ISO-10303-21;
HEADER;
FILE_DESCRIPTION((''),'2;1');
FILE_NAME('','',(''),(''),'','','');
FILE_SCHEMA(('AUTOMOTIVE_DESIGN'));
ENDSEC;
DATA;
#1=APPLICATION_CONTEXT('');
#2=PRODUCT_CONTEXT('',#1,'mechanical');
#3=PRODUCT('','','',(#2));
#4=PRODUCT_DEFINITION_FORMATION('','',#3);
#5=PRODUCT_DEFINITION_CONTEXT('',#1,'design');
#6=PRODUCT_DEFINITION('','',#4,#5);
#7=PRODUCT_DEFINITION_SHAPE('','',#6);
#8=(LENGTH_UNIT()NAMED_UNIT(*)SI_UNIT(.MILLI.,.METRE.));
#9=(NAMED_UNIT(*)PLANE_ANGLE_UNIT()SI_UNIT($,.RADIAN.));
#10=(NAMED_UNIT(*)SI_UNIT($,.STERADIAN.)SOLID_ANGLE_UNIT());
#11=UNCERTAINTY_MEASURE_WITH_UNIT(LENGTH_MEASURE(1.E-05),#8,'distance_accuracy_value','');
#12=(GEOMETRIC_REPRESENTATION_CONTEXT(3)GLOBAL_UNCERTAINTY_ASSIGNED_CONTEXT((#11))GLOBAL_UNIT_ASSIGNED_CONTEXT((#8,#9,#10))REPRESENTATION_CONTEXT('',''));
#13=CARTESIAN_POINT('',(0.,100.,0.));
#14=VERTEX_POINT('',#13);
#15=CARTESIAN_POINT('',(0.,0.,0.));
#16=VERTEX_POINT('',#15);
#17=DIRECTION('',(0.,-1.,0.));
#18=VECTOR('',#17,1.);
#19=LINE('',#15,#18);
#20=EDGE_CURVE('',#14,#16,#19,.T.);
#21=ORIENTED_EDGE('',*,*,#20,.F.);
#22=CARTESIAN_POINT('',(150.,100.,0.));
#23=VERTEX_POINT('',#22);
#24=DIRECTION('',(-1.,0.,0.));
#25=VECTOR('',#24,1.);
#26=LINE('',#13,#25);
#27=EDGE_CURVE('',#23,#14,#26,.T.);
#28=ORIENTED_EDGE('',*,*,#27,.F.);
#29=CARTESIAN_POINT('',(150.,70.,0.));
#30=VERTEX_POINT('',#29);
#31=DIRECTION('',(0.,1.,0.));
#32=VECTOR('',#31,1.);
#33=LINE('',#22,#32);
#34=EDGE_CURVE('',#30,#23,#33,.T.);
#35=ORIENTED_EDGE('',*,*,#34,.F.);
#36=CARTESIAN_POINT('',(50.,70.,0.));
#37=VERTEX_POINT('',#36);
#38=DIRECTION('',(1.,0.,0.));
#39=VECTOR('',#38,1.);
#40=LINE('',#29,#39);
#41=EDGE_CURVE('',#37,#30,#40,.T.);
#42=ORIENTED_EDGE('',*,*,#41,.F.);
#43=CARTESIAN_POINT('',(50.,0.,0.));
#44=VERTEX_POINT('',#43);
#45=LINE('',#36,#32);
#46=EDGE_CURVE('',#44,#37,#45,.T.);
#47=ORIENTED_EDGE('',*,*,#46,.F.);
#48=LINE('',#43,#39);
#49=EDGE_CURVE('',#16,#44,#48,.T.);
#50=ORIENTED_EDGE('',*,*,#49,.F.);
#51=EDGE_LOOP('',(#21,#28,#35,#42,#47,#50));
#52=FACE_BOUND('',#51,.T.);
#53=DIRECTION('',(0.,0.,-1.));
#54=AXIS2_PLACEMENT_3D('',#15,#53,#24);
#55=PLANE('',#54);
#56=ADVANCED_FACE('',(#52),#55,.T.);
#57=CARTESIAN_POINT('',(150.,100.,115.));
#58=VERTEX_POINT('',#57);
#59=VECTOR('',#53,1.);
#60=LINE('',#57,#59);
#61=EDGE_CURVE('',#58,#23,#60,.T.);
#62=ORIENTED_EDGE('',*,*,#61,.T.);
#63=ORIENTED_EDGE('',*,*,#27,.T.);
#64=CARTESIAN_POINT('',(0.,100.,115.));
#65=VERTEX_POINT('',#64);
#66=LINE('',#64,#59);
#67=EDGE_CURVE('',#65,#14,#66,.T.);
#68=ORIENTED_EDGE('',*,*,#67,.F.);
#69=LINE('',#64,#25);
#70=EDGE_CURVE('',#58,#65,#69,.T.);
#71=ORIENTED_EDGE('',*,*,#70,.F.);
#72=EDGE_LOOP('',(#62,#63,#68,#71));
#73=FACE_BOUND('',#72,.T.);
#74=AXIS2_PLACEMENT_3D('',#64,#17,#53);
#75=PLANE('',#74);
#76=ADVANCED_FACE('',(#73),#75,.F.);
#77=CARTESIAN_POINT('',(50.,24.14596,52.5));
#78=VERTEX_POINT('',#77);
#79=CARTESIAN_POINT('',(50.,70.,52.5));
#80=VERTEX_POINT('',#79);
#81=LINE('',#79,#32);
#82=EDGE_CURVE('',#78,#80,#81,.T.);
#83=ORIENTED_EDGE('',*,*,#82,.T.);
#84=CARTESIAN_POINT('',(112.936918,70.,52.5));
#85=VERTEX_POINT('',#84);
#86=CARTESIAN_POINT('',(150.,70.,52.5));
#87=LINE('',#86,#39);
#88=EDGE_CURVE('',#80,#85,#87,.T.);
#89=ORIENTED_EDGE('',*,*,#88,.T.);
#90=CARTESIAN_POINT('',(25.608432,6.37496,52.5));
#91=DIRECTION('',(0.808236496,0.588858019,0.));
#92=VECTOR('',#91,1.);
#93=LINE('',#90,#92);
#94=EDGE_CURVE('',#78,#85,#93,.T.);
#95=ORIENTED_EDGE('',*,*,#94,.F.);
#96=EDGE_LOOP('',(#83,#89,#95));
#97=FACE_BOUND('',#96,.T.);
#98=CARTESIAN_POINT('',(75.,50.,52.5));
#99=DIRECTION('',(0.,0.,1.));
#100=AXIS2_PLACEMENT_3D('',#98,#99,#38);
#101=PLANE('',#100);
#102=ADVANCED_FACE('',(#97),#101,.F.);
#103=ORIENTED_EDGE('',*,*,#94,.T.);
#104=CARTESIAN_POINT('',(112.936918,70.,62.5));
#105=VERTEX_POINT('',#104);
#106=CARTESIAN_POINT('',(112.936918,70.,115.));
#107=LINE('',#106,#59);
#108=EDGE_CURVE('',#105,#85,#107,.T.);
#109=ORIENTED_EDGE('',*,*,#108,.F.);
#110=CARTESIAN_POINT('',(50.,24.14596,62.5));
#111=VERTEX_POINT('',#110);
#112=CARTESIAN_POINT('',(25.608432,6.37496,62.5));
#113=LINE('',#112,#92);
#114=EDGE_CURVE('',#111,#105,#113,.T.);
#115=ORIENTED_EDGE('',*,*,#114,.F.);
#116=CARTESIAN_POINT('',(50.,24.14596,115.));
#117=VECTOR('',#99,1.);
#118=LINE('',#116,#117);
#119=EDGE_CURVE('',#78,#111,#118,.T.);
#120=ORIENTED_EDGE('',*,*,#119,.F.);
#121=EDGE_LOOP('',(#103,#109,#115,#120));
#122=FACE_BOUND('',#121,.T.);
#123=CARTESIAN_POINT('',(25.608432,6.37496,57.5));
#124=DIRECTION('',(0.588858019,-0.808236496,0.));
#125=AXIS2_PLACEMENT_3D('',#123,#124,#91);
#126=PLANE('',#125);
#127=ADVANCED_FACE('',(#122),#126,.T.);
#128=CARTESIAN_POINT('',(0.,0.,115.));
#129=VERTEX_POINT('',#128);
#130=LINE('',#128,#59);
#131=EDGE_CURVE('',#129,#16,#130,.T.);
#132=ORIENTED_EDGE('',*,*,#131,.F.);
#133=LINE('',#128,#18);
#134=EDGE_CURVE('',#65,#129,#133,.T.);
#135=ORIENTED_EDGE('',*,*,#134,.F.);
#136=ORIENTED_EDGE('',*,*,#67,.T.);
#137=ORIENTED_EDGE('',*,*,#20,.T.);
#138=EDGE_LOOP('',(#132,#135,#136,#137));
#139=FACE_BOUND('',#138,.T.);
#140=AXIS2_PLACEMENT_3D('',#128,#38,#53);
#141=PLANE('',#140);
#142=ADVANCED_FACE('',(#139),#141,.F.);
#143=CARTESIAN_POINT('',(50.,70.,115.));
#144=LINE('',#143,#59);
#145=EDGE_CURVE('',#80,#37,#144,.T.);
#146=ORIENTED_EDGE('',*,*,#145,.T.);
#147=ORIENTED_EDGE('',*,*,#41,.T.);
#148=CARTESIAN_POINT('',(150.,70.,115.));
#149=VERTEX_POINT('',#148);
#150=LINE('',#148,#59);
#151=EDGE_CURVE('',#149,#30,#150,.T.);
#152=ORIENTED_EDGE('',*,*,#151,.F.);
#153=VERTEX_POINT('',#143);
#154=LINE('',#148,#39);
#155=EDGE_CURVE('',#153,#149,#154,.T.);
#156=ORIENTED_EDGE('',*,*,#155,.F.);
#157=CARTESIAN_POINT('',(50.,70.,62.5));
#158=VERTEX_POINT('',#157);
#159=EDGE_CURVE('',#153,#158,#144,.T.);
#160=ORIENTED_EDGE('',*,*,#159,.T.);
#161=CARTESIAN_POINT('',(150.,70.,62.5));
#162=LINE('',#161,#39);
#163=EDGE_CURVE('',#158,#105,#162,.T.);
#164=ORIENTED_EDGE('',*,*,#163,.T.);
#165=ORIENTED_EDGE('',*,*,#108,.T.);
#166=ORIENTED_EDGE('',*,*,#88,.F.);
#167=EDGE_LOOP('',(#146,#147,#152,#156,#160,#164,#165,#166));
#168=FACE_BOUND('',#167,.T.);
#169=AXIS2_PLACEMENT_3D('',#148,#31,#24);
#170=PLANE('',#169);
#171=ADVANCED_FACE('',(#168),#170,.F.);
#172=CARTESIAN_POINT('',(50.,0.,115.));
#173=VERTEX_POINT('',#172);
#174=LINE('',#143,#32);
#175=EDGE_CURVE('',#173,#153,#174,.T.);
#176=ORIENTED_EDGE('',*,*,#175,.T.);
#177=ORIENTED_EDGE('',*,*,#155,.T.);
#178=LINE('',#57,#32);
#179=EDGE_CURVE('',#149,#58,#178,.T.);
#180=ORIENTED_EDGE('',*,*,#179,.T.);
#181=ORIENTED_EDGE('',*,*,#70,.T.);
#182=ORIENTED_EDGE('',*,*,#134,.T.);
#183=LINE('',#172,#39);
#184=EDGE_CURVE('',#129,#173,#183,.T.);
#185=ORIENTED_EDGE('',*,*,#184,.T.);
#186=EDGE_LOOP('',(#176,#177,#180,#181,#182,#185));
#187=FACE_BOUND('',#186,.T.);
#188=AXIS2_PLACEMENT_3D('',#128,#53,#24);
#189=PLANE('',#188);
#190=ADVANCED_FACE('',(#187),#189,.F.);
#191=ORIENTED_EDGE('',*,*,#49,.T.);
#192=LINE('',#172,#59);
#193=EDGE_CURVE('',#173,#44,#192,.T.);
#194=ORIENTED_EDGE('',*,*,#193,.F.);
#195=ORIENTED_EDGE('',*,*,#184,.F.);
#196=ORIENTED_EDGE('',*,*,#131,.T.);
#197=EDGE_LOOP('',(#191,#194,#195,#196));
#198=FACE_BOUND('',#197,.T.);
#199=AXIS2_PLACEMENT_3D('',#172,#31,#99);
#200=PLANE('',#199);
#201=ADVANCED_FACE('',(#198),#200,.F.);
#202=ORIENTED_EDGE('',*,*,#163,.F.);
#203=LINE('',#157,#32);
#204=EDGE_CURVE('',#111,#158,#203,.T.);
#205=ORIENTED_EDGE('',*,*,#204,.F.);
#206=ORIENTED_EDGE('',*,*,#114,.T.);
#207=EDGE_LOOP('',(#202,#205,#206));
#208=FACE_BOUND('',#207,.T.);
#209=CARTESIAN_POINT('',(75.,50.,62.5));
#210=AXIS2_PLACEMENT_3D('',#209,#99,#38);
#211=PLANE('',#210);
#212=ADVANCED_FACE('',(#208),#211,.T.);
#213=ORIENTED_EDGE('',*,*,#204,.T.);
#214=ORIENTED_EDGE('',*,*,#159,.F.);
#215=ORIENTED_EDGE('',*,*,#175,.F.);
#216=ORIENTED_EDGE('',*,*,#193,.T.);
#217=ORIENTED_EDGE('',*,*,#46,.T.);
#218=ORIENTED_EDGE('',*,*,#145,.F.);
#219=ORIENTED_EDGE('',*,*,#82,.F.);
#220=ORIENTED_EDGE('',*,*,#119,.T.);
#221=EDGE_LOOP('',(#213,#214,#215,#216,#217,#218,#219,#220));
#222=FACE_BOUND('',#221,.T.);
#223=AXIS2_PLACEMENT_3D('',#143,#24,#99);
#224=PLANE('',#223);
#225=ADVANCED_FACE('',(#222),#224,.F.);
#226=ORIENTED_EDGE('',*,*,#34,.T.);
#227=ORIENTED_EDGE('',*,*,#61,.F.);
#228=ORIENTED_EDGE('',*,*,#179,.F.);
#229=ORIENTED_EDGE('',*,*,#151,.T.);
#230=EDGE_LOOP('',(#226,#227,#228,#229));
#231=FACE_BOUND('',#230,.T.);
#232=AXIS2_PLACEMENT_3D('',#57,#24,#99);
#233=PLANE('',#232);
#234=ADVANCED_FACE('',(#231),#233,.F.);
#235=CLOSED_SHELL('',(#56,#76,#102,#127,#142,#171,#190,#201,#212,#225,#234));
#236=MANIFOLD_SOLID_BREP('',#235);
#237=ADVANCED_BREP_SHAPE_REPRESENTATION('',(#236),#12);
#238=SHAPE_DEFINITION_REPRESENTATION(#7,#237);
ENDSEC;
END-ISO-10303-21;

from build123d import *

# Parameters (mm, degrees)
BOSS_EXTRUDE1_DEPTH = 115
RIB1_REACH          = 191.225
SKETCH2_WALL_W      = 510.73669158
SKETCH2_WALL_H      = 10


with BuildPart() as part:
    # Sketch1 → Boss-Extrude1 (new body)
    with BuildSketch(Plane.XY):
        Polygon((0, 0), (0, 100), (150, 100), (150, 70), (50, 70), (50, 0), align=None)
    extrude(amount=BOSS_EXTRUDE1_DEPTH)

    # Sketch2 wall → Rib1 (add, up to next)
    with BuildSketch(Plane(origin=(78.259342081, 44.734908946, 57.5), x_dir=(0.80823649623, 0.588858018679, 0), z_dir=(-0.588858018679, 0.80823649623, 0)), mode=Mode.PRIVATE) as rib1_sk1:
        Rectangle(SKETCH2_WALL_W, SKETCH2_WALL_H)
    rib1_tool1 = extrude(rib1_sk1.sketch, amount=RIB1_REACH, mode=Mode.PRIVATE) - part.part
    add(rib1_tool1.solids().sort_by_distance((78.259342081, 44.734908946, 57.5))[0])


solid = part.part
